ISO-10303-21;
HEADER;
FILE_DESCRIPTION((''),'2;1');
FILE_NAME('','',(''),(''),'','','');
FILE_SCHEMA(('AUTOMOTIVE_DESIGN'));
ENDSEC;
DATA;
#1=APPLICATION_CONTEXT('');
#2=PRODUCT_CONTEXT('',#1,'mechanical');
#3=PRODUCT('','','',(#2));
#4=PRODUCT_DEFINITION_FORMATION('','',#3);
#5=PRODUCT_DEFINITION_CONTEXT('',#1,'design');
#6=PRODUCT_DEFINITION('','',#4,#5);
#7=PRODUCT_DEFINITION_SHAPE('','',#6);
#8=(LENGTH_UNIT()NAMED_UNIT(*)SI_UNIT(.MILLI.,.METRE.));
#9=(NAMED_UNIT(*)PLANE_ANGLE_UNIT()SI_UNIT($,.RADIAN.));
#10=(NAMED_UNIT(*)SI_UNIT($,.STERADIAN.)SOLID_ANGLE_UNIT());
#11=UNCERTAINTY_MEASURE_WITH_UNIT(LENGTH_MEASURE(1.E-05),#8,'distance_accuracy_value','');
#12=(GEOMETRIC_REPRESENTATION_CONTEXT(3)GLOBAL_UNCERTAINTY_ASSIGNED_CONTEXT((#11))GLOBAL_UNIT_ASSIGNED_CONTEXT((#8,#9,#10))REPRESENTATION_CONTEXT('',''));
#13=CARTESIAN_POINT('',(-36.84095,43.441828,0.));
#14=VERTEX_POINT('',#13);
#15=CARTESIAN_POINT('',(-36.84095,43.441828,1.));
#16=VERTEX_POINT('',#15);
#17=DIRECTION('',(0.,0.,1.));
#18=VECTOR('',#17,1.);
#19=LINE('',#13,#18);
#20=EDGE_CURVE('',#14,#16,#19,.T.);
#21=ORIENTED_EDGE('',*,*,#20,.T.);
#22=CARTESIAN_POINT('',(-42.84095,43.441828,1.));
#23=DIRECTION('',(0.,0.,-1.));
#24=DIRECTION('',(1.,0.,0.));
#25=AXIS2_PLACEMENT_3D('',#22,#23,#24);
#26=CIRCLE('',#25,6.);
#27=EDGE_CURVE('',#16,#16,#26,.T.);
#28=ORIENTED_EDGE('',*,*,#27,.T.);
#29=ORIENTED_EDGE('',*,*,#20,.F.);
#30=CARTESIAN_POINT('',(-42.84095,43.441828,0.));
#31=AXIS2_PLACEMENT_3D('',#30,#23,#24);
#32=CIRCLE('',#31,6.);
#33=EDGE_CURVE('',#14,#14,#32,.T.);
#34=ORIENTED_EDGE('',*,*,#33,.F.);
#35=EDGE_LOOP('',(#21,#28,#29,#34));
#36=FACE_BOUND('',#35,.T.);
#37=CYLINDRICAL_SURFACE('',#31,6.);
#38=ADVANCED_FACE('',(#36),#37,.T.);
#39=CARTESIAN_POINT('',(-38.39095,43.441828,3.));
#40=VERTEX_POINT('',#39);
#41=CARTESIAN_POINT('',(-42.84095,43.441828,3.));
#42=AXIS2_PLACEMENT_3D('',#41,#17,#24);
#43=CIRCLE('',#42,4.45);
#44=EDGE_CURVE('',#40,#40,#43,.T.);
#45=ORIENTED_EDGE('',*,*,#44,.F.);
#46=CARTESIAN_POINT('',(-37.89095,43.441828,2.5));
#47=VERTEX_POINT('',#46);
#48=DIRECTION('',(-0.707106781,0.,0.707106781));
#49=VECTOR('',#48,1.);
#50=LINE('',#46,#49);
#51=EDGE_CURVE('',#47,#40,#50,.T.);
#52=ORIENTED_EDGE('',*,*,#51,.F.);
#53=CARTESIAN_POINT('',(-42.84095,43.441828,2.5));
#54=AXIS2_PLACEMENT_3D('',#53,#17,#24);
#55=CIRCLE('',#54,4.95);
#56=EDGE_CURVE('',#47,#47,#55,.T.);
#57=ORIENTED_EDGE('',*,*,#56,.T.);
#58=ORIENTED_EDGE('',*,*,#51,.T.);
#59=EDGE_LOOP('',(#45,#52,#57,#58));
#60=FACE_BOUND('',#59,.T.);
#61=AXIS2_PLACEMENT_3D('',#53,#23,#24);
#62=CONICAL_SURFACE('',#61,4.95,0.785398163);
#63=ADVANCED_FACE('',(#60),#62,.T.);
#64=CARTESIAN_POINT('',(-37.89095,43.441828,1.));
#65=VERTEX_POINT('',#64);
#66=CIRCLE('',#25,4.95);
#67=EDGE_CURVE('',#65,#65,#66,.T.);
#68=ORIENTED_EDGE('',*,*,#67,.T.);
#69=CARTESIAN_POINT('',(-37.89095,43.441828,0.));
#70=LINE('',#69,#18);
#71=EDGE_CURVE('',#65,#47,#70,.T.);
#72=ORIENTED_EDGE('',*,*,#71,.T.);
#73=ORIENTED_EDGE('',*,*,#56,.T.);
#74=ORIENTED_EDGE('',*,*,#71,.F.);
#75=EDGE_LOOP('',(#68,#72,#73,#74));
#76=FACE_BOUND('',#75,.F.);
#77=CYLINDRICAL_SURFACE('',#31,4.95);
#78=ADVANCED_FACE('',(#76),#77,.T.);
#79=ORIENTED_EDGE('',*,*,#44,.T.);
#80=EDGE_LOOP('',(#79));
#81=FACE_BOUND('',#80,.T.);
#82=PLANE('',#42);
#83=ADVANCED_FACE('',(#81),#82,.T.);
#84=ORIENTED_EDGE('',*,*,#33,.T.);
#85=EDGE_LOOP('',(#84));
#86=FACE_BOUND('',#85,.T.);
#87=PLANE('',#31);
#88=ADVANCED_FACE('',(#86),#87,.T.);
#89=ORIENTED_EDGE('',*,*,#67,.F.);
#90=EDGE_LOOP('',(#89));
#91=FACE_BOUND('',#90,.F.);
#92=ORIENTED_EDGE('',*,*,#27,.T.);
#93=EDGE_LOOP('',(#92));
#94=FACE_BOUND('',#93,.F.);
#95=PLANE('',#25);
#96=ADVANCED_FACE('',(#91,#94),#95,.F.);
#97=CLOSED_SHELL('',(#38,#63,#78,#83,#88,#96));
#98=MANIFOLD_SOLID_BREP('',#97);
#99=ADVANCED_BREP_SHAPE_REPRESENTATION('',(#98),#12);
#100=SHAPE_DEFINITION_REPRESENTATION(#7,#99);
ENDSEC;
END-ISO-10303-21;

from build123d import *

# Parameters (mm, degrees)
F0_R     = 4.95
F1_DEPTH = 3
F2_R     = 6
F2_R_2   = 4.95
F3_DEPTH = 1
F4_SIZE  = 0.5


with BuildPart() as f1:
    # F0 (on Top) → F1 (new body)
    with BuildSketch(Plane.XY):
        with Locations((-42.84095, 43.441828)):
            Circle(F0_R)
    extrude(amount=F1_DEPTH)

    # F2 (on face) → F3 (join)
    with BuildSketch(Plane(origin=(0, 0, 0), x_dir=(1, 0, 0), z_dir=(0, 0, -1))):
        with Locations((-42.84095, -43.441828)):
            Circle(F2_R)
        with Locations((-42.84095, -43.441828)):
            Circle(F2_R_2, mode=Mode.SUBTRACT)
    extrude(amount=-F3_DEPTH)

    # F4
    f4_edges = [f1.edges().sort_by_distance(p)[0] for p in [
        (-47.79095, 43.441828, 3),
    ]]
    chamfer(f4_edges, length=F4_SIZE)


solid = f1.part
